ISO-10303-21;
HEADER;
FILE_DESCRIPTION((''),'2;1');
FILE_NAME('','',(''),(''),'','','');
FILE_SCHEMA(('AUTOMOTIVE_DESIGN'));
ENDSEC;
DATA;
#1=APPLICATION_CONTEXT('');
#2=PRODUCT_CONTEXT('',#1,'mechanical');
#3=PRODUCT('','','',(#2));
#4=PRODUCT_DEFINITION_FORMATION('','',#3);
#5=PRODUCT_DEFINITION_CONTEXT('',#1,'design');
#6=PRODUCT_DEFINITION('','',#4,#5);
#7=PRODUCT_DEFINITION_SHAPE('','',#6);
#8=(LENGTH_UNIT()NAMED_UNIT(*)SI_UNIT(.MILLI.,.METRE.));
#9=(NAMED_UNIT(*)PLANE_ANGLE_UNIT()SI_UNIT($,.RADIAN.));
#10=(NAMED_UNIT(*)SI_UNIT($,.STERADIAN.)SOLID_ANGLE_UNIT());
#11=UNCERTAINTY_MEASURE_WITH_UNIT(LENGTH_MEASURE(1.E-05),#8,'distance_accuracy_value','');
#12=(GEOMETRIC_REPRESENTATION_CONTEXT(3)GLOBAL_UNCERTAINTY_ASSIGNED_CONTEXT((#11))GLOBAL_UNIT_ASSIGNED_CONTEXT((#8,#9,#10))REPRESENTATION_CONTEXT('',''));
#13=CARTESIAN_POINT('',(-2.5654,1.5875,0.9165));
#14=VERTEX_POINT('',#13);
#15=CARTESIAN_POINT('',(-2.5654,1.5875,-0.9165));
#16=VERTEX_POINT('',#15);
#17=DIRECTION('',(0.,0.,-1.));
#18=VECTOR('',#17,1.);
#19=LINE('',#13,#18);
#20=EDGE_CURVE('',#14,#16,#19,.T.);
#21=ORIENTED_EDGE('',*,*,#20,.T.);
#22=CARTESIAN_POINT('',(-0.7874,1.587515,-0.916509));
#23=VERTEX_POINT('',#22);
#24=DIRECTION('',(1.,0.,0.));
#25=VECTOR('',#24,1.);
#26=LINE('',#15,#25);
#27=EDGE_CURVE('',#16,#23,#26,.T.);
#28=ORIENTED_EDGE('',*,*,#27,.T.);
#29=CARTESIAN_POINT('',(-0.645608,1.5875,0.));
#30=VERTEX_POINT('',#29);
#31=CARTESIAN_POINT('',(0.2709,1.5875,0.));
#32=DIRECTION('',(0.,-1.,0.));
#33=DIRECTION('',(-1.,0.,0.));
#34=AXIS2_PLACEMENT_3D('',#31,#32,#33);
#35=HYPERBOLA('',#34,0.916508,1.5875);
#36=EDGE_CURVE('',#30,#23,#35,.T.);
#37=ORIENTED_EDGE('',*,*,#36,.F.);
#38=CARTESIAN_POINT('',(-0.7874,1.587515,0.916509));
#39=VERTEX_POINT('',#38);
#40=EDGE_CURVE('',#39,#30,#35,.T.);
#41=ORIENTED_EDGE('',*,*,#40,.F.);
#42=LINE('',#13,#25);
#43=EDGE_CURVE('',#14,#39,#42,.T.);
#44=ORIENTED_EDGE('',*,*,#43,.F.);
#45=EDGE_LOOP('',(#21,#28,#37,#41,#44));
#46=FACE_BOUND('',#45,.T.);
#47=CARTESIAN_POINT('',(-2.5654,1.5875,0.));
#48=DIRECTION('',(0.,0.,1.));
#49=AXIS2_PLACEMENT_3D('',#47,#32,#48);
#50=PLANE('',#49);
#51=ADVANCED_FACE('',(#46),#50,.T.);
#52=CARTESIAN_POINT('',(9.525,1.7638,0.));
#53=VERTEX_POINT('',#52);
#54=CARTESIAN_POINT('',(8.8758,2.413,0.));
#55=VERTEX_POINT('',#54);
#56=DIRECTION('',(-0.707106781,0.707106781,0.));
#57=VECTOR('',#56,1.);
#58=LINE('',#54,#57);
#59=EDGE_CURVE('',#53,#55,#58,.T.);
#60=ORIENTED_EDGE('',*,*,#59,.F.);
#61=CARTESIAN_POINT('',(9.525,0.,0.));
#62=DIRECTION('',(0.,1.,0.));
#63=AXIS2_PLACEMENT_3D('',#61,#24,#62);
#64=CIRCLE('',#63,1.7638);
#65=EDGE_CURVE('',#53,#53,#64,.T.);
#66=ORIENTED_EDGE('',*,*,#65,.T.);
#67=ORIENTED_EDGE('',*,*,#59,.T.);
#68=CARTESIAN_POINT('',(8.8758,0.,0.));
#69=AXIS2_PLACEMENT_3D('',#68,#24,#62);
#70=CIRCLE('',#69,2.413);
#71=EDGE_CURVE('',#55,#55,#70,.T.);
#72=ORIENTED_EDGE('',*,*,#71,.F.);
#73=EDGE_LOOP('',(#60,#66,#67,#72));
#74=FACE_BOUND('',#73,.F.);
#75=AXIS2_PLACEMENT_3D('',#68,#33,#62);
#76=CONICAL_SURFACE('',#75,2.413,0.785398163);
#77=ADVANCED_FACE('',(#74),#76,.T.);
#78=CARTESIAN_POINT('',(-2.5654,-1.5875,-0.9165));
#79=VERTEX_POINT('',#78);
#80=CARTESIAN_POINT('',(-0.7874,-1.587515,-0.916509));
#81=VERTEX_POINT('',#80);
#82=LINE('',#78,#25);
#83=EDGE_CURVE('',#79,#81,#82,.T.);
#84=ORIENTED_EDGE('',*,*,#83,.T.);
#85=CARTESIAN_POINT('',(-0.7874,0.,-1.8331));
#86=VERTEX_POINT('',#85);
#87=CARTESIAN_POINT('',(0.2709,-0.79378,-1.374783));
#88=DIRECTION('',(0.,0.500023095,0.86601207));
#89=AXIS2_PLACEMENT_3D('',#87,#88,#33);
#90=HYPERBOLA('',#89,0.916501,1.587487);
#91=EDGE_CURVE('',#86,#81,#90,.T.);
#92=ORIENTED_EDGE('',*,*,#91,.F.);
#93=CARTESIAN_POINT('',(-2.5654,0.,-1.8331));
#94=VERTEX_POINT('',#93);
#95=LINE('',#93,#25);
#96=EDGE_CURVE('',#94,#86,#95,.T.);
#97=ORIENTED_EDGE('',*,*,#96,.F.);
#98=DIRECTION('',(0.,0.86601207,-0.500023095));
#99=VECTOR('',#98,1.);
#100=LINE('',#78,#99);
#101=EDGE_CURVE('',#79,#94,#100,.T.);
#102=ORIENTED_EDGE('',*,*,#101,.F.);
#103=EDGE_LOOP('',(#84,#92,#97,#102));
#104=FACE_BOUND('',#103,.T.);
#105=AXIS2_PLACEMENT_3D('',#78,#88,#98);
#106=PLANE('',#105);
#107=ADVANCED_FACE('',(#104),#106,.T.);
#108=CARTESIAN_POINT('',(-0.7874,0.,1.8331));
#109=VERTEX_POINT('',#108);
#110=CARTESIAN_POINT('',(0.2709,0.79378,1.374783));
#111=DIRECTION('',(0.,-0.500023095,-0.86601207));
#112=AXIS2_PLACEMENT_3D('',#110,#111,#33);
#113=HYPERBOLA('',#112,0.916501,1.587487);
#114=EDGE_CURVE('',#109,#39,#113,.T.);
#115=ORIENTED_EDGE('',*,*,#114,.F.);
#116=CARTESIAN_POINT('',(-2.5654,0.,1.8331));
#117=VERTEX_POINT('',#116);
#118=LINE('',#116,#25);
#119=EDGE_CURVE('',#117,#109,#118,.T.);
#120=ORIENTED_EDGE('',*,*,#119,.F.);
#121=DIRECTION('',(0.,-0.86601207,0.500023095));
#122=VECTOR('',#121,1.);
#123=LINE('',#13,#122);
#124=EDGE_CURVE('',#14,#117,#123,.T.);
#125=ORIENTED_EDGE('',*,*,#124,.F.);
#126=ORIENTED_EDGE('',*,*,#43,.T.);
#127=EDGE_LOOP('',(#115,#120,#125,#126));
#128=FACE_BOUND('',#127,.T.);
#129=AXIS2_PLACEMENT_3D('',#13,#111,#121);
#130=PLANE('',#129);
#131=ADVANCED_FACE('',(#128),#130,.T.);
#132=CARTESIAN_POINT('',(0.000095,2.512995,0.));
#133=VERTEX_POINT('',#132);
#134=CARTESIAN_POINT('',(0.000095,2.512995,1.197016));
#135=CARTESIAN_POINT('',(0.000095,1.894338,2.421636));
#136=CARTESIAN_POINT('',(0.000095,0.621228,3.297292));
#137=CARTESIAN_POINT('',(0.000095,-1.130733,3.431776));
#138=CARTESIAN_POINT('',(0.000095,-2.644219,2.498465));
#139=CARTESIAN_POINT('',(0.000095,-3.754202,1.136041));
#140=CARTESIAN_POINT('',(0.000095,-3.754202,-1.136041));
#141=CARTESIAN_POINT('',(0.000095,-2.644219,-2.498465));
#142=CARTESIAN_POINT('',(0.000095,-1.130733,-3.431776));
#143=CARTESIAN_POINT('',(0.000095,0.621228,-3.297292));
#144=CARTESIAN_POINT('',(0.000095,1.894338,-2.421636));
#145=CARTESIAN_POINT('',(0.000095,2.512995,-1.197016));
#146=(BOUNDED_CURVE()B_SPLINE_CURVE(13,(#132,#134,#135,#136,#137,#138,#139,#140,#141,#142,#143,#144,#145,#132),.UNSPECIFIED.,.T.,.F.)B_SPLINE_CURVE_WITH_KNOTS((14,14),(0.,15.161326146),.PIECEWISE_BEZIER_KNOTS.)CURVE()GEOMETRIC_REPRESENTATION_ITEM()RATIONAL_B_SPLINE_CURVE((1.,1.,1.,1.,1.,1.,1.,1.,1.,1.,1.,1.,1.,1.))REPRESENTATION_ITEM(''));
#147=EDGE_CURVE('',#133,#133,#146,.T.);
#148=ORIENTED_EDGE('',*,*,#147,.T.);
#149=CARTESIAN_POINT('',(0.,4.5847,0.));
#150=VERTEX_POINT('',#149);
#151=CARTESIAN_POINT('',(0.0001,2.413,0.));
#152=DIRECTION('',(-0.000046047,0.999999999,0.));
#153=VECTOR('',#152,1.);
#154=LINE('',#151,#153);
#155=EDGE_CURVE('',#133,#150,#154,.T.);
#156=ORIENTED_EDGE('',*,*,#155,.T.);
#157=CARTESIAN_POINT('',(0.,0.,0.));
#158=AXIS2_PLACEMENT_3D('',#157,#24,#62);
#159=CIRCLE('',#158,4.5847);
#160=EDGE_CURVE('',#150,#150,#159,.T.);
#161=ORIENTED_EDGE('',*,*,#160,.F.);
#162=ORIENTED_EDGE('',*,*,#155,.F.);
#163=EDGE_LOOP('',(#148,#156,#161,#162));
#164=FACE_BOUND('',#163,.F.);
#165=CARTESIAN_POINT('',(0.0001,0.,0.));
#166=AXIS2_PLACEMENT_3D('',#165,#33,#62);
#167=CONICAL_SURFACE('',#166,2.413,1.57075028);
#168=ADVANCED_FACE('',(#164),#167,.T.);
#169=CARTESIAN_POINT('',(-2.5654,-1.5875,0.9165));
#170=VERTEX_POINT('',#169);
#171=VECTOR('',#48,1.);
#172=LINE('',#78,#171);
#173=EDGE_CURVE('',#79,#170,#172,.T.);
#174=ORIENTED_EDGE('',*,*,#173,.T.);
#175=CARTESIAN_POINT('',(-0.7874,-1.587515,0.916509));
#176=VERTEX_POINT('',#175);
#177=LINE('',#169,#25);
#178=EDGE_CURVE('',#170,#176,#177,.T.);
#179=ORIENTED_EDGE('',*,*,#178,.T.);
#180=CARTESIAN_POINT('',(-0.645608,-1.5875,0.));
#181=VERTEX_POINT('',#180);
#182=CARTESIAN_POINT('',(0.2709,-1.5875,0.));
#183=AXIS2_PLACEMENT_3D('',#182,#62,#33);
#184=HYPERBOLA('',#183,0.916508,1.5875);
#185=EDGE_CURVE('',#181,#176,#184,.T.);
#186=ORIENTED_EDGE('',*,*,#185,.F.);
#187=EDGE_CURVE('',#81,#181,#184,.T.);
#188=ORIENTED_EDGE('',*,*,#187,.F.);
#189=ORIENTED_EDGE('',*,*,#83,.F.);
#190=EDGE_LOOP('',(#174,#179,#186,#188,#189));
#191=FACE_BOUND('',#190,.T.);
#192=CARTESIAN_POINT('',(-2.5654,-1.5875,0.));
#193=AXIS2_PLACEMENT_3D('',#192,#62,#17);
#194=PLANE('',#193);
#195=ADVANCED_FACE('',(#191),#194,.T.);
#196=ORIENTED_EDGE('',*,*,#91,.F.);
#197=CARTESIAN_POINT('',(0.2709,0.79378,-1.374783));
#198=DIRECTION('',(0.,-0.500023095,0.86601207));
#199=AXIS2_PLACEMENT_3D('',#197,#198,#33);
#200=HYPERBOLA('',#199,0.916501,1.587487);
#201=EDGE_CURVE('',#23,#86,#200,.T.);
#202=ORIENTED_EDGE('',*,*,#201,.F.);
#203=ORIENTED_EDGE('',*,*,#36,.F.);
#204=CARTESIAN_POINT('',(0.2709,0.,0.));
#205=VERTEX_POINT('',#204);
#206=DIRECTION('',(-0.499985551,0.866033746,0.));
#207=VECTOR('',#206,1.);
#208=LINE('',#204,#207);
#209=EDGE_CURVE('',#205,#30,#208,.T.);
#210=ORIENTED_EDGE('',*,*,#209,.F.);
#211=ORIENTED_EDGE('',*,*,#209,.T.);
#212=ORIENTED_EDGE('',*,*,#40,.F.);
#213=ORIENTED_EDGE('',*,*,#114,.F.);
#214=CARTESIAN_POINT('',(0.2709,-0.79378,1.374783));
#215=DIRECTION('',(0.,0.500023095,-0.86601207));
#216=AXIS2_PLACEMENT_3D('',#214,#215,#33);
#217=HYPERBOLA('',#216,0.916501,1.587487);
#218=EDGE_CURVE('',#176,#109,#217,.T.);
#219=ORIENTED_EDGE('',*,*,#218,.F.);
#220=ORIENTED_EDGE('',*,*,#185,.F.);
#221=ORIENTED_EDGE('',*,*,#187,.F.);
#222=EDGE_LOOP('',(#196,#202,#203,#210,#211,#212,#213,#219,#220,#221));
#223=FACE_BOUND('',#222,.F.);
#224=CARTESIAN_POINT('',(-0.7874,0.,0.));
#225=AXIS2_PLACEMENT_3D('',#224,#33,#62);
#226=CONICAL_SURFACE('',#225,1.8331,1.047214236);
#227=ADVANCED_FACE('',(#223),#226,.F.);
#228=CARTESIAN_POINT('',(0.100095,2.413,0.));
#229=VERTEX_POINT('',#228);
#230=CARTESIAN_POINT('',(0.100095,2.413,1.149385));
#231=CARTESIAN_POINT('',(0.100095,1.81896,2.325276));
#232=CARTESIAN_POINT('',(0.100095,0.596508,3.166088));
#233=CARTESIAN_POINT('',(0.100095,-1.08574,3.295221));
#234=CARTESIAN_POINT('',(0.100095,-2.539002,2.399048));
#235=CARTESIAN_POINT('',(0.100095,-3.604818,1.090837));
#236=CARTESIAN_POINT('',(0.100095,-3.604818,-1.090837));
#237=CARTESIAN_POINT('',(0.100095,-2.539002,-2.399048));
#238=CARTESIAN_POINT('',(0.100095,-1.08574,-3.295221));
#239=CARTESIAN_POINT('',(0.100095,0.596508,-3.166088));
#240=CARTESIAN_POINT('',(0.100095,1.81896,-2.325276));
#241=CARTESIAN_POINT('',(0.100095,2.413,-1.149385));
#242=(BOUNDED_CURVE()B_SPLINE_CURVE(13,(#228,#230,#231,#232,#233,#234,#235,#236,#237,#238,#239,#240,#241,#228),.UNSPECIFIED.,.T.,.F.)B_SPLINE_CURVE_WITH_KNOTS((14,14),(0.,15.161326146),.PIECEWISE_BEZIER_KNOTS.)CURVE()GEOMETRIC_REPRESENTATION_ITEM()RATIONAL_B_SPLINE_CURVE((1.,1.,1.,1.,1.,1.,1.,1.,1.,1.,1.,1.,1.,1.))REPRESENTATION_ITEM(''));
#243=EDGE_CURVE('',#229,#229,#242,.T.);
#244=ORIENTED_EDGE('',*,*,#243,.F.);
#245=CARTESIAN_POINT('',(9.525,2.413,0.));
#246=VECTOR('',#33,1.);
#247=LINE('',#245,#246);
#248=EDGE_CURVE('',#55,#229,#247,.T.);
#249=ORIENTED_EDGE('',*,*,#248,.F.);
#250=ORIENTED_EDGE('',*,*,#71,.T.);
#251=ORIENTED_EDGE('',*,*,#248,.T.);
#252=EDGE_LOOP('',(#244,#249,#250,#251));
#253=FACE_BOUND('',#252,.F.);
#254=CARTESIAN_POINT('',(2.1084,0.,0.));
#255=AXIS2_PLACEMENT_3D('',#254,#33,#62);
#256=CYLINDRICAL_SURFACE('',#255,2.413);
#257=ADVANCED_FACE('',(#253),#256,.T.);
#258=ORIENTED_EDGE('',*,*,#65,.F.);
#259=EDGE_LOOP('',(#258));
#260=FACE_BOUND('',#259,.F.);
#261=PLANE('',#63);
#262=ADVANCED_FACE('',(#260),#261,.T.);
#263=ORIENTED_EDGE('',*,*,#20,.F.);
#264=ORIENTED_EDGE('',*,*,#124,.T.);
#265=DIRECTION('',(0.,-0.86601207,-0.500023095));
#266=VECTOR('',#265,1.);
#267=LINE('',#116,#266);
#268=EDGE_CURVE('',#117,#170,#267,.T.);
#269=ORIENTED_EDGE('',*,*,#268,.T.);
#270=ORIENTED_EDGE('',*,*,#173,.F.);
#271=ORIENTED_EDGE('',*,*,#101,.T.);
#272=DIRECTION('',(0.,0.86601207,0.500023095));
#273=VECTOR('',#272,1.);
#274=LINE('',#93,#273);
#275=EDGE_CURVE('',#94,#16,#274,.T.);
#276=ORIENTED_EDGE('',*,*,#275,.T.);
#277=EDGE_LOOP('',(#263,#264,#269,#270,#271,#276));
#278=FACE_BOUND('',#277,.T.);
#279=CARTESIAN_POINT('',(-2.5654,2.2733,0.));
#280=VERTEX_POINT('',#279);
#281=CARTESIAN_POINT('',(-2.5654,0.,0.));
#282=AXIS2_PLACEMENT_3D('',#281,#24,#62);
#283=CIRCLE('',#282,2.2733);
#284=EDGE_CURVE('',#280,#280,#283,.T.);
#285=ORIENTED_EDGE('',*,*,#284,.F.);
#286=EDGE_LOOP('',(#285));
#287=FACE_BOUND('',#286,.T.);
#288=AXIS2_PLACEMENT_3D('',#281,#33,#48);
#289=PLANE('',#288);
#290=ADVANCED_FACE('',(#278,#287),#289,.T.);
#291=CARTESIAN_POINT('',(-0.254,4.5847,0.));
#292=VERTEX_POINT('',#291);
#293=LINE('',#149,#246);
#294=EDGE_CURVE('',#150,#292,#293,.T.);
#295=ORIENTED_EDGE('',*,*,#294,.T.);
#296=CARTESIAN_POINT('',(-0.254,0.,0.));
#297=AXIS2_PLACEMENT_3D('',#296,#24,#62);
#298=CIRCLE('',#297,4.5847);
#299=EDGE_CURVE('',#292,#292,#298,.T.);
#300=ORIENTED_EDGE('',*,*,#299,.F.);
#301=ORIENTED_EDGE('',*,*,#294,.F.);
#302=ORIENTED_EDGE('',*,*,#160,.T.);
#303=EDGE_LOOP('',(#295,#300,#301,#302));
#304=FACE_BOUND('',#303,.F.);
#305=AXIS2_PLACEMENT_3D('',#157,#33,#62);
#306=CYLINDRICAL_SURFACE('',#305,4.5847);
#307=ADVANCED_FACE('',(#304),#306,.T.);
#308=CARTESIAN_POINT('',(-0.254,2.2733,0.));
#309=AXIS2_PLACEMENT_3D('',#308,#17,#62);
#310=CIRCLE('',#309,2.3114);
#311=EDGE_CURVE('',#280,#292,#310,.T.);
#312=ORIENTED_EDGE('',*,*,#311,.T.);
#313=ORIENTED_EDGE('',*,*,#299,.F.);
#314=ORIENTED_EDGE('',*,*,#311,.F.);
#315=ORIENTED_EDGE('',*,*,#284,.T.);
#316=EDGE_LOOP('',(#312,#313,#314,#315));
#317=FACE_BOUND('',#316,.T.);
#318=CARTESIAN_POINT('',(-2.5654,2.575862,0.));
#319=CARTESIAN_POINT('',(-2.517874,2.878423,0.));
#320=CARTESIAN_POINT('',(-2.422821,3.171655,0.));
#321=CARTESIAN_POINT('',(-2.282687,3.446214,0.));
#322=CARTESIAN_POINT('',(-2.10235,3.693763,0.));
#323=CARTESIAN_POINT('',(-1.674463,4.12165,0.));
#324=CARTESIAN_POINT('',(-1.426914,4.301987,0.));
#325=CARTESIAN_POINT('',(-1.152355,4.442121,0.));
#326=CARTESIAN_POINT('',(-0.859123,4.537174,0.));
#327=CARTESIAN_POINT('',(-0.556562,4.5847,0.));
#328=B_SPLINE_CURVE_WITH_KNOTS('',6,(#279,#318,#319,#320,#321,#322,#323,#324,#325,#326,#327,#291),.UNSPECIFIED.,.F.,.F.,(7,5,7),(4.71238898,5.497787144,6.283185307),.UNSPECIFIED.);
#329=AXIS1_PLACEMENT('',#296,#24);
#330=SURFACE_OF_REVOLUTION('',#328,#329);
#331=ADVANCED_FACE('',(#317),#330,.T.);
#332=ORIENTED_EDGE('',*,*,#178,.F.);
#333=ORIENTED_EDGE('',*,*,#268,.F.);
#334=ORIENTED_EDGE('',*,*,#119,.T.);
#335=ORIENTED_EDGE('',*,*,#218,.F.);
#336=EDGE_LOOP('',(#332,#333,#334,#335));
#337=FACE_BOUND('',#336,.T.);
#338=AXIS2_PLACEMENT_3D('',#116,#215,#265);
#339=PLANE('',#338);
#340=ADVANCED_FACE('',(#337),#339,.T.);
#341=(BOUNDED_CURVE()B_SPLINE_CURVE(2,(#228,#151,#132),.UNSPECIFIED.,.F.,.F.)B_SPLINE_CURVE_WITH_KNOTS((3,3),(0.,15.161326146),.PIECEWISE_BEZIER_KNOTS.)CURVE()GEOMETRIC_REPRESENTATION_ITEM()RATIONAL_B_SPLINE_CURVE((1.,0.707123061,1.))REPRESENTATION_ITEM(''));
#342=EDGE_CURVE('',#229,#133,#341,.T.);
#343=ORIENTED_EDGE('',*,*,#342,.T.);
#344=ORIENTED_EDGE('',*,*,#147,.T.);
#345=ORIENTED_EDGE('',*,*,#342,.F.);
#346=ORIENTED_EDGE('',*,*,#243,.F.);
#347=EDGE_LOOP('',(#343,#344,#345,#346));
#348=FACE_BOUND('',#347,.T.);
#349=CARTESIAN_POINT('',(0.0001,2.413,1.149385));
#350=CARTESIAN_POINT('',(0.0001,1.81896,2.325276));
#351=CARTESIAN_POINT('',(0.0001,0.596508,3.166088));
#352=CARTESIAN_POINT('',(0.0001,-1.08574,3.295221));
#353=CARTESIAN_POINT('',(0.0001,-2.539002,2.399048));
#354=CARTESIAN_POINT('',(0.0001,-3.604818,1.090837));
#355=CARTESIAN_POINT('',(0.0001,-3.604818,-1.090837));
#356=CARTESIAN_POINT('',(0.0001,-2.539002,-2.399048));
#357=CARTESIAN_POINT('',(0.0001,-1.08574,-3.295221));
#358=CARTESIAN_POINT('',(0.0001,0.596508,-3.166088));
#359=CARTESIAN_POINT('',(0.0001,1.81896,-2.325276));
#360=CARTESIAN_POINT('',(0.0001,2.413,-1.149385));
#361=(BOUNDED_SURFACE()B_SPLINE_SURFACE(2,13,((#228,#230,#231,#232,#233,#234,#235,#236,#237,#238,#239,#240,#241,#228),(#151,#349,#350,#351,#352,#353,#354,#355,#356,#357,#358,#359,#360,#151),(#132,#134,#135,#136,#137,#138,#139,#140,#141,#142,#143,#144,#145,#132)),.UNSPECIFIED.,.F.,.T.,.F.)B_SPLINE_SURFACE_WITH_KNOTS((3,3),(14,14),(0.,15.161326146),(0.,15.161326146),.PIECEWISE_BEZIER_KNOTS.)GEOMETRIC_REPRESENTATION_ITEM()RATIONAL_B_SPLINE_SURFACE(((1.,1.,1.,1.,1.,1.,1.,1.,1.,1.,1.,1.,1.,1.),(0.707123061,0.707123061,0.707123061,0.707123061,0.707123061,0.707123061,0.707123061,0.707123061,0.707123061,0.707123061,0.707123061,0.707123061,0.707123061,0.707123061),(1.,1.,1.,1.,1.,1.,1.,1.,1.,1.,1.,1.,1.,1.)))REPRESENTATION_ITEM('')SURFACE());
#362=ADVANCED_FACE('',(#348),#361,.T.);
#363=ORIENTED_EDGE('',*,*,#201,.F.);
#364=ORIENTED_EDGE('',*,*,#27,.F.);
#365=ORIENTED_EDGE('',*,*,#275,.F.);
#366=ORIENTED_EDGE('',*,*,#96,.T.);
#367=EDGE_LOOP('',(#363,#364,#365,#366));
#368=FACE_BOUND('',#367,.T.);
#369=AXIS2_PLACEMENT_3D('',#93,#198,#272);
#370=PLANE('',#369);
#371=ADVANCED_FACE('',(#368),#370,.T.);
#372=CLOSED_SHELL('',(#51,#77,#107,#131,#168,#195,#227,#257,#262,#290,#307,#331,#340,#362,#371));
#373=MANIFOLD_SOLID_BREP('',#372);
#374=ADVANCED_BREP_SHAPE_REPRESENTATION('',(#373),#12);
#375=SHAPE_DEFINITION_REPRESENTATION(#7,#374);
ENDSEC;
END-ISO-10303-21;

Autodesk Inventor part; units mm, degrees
ref_plane "YZ Plane" through (0, 0, 0) normal (1, 0, 0) x (0, 1, 0)
ref_plane "XZ Plane" through (0, 0, 0) normal (0, 1, 0) x (-1, 0, 0)
sketch "Sketch1" plane through (0, 0, 0) normal (0, 0, 1) x (1, 0, 0)
  line L0 (0.2709, 0) -> (9.525, 0)
  line L1 (9.525, 0) -> (9.525, 2.413)
  line L2 (9.525, 2.413) -> (2.1084, 2.413)
  line L3 (2.1084, 2.413) -> (0.0001, 2.413)
  line L4 (0.0001, 2.413) -> (0, 2.413)
  line L5 (0, 2.413) -> (0, 4.5847)
  line L6 (0, 4.5847) -> (-2.5654, 4.5847)
  line L7 (-2.5654, 4.5847) -> (-2.5654, 1.8331)
  line L8 (-2.5654, 1.8331) -> (-0.7874, 1.8331)
  line L9 (-0.7874, 1.8331) -> (0.2709, 0)
  line L10 (-4.9835, 0) -> (11.9431, 0) projected
  line L11 (0, -0.9169) -> (0, 5.5016) projected
  line L12 (2.1084, 2.413) -> (0, 2.413) construction
  dimension "d1" = 7.4166
  dimension "d2" = 2.1083
  dimension "d3" = 2.5654
  dimension "d4" = 1.778
  dimension "d5" = 60
  dimension "d6" = 4.826
  dimension "d7" = 4.826
  dimension "d8" = 3.6662
  dimension "d9" = 9.1694
  dimension "d26" = 9.525
revolve "Body" add sketch "Sketch1" angle 360 about axis through (0.2709, 0, 0) along (1, 0, 0) contours L9 L11 L3 L2 L1 L0 | L9 L8 L7 L6 L5 L11
sketch "Sketch2" plane through (-2.5654, 0, 0) normal (-1, 0, 0) x (0, 0, 1)
  circle A0 centre (0, 0) radius 1.8331 projected
  line L0 (0, -6.4186) -> (0, 6.4186) projected
  line L1 (-6.4186, 0) -> (6.4186, 0) projected
  line L2 (1.8331, 0) -> (0.9165, -1.5875)
  line L3 (0.9165, -1.5875) -> (-0.9165, -1.5875)
  line L4 (-0.9165, -1.5875) -> (-1.8331, 0)
  line L5 (-1.8331, 0) -> (-0.9165, 1.5875)
  line L6 (-0.9165, 1.5875) -> (0.9165, 1.5875)
  line L7 (0.9165, 1.5875) -> (1.8331, 0)
  point P0 (0, 0)
extrude "Slot" add sketch "Sketch2" against normal up to next contours L7 A0 | A0 L2 | L6 L0 A0 | A0 L0 L3 | L0 L6 A0 | A0 L3 L0 | L4 A0 | A0 L5
fillet "Fillet1" radius 2.3114 1 edges at (-2.5654, -4.5847, 0)
thread "Thread" size "10-24 UNC" class "2A" standard "ANSI Unified Screw Threads" length 7.4166
chamfer "Chamfer1" distance 0.6492 distance2 0.6492 1 edges at (9.525, -2.413, 0) measured on face at (9.525, -0.2686, 0.7084)
ref_plane "Work Plane1" through (29, 0, 0) normal (0, -1, 0) x (1, 0, 0)
fillet "Fillet2" radius 0.1 1 edges at (0.0001, -2.413, 0)
equation "\"d1\" = GEL"
equation "\"d3\" = KOH"
equation "\"d4\" = INTI"
equation "\"d6\" = GD"
equation "\"d7\" = BDM"
equation "\"d8\" = 1.1547 * SW"
equation "\"d9\" = KOD"
equation "\"d26\" = NLG"
equation "\"d30\" = R"
equation "\"d17\" = RR"
equation "\"d13\" = GEL"
equation "\"d15\" = -0.5 * SPD + 0.5 * GD"
equation "\"d16\" = GUL"
equation "\"GD\" = NND"
equation "\"NLG\" = 9.525"
equation "\"GEL\" = 7.4166"
equation "\"KOD\" = 9.1694"
equation "\"KOH\" = 2.5654"
equation "\"INTI\" = 1.778"
equation "\"GAL\" = 2.1082"
equation "\"GUL\" = 0.64922"
equation "\"BDM\" = NND"
equation "\"SW\" = 3.175"
equation "\"RR\" = 2.3114"
equation "\"SPD\" = 3.52755"
equation "\"R\" = 0.1"
equation "\"TOA\" = 30deg"
equation "\"GD1\" = SPD"
equation "\"THREADDIA\" = 4.826"
equation "\"KOH1\" = 0.508"
equation "\"NND\" = 4.826"
equation "\"E0\" = 3.66725"
properties part number "ANSI B18.3 - 10 - 24 x 3/8" material "Steel, Mild"
